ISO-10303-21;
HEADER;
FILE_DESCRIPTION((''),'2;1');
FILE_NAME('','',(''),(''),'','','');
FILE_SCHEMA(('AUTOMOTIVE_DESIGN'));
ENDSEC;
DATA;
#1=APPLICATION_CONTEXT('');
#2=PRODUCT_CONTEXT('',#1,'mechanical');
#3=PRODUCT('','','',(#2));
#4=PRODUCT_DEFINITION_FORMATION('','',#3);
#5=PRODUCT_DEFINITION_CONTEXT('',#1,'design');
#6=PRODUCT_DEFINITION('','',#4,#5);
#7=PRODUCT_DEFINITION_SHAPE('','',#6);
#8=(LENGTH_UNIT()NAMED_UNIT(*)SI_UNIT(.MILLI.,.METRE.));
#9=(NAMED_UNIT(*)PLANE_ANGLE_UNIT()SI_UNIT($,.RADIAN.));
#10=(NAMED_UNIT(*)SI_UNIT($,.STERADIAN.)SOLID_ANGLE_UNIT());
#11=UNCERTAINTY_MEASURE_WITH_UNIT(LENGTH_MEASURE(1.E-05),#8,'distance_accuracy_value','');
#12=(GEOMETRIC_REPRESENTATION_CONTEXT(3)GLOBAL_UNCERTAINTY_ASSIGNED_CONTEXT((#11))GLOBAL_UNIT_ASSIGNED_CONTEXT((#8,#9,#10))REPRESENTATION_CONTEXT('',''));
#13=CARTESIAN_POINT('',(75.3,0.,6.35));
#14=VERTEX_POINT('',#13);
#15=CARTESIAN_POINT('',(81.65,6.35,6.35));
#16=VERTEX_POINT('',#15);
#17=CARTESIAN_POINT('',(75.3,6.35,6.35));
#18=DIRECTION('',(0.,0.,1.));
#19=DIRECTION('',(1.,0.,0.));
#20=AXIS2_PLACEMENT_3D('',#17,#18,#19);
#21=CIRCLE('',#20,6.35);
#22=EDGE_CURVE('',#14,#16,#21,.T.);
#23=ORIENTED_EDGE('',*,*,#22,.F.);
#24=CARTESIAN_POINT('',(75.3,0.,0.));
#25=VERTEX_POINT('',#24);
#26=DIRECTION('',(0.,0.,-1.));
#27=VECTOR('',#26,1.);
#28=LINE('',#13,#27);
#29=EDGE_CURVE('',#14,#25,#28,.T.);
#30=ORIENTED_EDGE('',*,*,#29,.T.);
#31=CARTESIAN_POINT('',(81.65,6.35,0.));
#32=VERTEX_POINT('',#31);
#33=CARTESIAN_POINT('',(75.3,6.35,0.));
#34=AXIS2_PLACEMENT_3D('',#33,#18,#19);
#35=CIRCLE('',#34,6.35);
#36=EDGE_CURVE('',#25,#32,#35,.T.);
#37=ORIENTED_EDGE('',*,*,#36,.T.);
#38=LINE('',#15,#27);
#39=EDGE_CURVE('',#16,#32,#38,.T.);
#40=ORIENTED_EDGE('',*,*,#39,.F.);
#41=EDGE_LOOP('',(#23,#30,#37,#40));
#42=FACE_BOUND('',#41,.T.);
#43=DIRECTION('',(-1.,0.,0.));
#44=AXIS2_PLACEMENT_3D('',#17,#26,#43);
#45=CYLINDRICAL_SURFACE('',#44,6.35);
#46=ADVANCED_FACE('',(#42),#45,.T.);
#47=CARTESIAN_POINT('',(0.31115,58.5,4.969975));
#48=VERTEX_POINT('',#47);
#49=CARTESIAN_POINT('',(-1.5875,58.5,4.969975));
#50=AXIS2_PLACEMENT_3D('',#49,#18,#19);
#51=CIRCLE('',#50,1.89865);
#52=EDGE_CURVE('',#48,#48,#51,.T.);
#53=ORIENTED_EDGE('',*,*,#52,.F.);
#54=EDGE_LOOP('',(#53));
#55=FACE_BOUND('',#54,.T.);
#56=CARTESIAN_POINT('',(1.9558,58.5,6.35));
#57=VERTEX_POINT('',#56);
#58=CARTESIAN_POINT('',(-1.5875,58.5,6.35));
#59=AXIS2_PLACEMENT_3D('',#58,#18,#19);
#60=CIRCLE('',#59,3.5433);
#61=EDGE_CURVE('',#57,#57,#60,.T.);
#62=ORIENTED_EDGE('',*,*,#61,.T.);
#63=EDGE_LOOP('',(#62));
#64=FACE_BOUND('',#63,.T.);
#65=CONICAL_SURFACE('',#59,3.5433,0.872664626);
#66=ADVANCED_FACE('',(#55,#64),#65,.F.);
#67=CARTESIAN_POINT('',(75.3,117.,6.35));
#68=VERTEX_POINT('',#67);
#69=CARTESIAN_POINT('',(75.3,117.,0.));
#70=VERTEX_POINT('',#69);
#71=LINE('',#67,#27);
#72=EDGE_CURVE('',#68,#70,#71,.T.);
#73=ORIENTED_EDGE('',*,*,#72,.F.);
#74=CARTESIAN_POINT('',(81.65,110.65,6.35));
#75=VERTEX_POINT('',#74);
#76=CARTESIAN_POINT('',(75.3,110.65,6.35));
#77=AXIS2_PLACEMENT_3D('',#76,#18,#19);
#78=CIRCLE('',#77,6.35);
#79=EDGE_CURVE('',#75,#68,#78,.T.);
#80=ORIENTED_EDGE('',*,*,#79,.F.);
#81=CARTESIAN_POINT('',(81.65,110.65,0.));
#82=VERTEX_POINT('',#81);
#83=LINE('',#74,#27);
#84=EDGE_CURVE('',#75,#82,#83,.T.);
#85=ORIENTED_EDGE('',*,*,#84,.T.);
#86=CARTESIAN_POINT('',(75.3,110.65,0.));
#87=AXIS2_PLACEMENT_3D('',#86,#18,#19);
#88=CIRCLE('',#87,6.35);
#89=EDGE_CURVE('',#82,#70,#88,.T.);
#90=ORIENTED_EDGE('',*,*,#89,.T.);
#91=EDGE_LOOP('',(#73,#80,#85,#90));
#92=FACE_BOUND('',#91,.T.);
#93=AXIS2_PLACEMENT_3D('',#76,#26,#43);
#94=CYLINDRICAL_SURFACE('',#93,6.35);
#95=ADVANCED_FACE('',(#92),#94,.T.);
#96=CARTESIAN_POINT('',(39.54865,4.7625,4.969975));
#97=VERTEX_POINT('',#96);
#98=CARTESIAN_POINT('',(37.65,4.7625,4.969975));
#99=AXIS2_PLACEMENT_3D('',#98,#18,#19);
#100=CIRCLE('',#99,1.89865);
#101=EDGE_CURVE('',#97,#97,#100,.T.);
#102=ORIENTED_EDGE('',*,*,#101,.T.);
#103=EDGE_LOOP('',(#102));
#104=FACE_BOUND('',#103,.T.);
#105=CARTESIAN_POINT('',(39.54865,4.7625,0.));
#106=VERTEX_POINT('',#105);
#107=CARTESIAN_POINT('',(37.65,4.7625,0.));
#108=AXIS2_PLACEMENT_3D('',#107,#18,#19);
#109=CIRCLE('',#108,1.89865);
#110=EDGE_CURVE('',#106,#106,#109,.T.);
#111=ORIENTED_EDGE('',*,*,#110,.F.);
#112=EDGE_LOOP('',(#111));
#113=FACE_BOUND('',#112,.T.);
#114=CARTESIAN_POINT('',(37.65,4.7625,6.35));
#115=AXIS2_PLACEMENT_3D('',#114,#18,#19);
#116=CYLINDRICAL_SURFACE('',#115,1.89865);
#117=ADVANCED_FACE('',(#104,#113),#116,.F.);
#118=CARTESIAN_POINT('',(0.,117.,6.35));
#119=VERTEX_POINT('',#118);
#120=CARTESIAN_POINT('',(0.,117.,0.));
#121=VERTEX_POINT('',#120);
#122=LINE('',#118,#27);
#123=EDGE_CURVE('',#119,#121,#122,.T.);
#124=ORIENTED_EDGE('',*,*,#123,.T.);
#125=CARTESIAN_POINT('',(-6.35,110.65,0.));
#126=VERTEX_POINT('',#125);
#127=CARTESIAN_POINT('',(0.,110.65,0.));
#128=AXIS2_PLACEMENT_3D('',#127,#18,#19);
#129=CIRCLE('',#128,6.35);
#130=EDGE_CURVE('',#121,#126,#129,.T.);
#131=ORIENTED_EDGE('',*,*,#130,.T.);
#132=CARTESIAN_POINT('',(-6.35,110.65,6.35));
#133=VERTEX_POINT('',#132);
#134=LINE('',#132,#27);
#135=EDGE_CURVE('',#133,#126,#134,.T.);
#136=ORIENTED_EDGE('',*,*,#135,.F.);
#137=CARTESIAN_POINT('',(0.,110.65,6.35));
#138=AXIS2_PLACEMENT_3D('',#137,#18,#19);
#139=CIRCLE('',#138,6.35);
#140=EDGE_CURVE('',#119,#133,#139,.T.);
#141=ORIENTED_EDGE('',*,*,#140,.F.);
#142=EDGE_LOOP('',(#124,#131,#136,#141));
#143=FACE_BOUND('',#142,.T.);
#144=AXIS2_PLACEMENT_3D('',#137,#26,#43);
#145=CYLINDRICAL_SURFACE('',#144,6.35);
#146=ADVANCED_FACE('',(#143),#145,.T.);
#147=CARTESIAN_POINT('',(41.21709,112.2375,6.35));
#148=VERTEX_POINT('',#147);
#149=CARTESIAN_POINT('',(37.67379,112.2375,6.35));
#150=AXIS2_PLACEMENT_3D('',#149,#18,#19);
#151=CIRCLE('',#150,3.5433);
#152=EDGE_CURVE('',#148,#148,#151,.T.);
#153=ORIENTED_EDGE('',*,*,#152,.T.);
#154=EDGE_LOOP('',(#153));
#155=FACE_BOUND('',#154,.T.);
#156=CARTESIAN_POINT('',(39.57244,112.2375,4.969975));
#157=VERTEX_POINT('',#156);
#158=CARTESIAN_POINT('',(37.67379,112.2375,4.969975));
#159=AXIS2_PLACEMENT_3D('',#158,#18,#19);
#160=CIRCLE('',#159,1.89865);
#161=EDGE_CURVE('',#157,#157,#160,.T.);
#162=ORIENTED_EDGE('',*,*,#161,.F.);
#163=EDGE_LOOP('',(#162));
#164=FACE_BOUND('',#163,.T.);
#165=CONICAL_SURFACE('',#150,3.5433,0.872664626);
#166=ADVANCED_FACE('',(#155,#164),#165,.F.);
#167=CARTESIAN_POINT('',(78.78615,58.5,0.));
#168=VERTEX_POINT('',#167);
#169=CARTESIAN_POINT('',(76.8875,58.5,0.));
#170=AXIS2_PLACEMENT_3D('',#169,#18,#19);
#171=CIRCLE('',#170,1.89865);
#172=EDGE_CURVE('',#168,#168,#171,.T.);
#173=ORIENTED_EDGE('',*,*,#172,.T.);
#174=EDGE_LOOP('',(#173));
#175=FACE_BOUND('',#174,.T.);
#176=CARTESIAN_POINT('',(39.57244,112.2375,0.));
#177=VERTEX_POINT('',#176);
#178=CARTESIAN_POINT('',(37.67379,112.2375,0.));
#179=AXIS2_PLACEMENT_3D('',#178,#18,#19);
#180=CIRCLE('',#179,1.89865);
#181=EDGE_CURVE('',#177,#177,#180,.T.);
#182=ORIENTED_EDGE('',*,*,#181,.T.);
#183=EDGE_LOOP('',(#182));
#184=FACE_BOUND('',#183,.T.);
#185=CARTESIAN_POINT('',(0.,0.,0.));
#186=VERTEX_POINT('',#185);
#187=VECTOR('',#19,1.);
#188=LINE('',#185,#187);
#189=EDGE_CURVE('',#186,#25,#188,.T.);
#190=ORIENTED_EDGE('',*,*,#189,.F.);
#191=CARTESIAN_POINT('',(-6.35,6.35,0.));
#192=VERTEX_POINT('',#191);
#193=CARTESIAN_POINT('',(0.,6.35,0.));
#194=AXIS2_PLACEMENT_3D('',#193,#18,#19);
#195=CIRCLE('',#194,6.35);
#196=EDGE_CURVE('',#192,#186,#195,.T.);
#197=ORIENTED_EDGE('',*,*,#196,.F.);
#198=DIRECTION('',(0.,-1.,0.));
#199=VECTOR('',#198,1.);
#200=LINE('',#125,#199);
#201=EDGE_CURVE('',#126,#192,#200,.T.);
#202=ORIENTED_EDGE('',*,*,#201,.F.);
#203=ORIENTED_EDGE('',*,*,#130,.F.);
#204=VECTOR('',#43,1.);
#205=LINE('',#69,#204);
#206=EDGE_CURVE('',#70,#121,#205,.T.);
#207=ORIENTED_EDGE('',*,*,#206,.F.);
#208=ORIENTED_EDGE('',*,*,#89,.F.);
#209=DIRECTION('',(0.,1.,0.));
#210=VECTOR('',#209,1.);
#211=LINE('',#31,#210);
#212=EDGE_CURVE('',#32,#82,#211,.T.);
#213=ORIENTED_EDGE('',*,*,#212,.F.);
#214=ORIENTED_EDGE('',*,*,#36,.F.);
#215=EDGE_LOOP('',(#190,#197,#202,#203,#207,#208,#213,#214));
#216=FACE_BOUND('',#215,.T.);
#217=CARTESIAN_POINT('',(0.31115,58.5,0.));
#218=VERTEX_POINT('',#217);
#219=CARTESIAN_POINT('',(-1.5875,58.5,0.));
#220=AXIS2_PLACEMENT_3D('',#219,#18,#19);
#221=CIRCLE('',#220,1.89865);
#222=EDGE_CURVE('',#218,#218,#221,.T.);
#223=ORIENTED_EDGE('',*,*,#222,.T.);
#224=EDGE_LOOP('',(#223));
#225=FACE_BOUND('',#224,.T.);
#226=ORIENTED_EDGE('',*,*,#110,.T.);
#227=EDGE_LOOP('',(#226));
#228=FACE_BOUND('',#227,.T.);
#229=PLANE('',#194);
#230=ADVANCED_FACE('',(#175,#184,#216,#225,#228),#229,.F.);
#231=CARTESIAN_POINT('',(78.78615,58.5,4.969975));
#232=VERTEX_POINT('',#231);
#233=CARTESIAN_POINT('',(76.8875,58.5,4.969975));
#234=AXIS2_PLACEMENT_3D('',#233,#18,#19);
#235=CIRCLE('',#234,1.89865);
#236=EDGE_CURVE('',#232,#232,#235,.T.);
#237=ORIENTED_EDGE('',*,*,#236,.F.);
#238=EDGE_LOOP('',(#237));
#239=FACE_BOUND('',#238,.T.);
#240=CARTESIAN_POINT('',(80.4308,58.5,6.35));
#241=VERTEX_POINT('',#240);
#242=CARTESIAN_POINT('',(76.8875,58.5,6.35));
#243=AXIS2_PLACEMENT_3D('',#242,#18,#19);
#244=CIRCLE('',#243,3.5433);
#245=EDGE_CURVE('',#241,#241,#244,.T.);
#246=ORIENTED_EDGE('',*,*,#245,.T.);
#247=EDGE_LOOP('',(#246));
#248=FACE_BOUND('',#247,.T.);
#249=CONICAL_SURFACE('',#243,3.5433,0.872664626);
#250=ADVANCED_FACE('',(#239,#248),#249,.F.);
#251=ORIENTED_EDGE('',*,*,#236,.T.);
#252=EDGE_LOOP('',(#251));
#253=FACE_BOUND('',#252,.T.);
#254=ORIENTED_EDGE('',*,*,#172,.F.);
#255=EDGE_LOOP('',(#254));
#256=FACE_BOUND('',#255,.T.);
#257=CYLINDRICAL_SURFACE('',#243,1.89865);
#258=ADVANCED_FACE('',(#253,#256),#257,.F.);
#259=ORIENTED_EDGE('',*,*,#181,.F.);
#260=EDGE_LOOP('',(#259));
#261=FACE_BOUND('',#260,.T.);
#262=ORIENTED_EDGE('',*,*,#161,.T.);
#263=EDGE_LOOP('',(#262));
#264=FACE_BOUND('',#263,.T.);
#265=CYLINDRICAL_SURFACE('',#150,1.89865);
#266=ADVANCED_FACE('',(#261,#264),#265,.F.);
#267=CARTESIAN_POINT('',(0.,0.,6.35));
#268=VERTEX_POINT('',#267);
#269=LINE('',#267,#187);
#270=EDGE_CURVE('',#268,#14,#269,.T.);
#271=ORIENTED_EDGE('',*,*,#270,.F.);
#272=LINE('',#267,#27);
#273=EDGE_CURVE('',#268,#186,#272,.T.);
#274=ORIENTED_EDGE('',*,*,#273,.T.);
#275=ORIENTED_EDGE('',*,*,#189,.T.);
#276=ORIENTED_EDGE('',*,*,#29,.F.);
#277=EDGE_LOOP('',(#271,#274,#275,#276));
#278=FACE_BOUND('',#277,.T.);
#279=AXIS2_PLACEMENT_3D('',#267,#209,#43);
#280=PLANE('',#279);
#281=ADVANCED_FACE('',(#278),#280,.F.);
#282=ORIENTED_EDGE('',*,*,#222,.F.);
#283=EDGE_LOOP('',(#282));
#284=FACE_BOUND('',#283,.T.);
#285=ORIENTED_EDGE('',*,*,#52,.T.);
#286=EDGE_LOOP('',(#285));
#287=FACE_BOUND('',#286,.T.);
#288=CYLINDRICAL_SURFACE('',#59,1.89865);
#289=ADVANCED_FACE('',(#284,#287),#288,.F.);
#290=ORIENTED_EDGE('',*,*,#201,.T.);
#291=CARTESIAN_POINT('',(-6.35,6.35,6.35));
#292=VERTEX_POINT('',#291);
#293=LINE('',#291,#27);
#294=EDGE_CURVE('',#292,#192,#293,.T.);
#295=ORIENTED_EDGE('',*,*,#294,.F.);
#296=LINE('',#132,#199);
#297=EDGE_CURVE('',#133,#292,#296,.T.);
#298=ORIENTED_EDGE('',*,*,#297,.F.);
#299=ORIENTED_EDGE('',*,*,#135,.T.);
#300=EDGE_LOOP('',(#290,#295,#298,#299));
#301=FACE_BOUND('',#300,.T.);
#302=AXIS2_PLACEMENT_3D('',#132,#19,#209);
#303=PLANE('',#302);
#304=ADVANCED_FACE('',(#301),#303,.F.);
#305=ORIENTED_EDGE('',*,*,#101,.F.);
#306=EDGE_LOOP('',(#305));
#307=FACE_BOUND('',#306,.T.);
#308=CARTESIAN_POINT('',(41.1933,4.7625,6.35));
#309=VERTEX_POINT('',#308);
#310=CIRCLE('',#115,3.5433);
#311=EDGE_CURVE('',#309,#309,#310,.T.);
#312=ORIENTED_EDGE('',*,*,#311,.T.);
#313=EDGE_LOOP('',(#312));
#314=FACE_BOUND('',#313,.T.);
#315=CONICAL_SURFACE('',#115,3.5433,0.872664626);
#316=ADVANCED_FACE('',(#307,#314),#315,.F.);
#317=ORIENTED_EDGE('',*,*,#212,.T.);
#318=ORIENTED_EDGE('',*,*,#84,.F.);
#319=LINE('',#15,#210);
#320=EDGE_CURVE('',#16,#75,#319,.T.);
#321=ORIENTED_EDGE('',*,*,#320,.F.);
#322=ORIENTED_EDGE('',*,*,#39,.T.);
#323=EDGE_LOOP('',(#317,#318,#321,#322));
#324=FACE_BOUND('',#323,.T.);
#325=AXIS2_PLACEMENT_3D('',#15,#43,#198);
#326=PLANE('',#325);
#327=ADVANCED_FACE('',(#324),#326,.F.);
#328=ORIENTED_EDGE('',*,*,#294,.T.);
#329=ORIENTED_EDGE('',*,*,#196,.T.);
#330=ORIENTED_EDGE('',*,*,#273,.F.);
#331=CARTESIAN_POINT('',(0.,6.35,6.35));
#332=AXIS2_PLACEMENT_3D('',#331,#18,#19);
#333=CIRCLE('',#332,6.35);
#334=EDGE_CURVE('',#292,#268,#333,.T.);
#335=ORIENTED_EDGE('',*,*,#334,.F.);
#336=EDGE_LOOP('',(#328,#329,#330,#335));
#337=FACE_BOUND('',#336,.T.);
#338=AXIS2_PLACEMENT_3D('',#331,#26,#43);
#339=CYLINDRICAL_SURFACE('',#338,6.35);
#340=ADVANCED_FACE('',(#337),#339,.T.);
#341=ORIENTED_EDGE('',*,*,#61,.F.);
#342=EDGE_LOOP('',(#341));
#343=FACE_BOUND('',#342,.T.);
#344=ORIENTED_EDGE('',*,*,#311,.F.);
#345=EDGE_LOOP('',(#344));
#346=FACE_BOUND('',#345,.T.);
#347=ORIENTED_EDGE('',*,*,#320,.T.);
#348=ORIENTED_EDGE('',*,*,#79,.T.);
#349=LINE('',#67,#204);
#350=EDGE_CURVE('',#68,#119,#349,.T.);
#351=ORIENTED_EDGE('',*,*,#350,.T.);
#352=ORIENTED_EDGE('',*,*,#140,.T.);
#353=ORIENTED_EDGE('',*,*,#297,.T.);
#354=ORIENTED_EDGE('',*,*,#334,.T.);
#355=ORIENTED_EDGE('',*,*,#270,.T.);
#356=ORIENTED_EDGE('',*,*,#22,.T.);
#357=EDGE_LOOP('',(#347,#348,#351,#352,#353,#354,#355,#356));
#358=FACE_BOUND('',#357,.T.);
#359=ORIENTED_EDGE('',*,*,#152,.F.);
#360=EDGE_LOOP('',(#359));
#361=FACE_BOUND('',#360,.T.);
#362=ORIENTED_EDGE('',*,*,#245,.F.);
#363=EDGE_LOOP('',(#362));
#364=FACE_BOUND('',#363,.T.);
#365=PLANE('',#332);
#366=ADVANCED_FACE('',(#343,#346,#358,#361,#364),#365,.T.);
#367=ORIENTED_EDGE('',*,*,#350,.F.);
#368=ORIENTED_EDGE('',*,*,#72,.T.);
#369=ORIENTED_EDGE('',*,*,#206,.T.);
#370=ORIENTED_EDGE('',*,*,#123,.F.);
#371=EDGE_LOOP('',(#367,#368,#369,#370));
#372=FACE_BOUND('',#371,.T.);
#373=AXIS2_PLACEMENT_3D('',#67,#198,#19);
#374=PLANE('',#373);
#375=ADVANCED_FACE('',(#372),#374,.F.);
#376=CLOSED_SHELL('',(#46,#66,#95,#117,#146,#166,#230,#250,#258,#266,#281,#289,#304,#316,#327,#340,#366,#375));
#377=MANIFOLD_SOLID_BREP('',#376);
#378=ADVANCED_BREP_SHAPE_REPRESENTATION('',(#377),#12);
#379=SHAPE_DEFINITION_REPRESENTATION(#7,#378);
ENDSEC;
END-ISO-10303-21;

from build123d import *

# Parameters (mm, degrees)
SKETCH1_R                                         = 1.5875
BOSS_EXTRUDE1_DEPTH                               = 6.35
CSK_FOR_6_FLAT_HEAD_MACHINE_SCREW_100_D           = 3.7973
CSK_FOR_6_FLAT_HEAD_MACHINE_SCREW_100_CSINK_D     = 7.0866
CSK_FOR_6_FLAT_HEAD_MACHINE_SCREW_100_CSINK_ANGLE = 100


with BuildPart() as part:
    # Sketch1 → Boss-Extrude1 (new body)
    with BuildSketch(Plane.XY):
        with BuildLine():
            Line((0, 0), (75.3, 0))
            ThreePointArc((75.3, 0), (79.790128061, 1.859871939), (81.65, 6.35))
            Line((81.65, 6.35), (81.65, 110.65))
            ThreePointArc((81.65, 110.65), (79.790128061, 115.140128061), (75.3, 117))
            Line((75.3, 117), (0, 117))
            ThreePointArc((0, 117), (-4.490128061, 115.140128061), (-6.35, 110.65))
            Line((-6.35, 110.65), (-6.35, 6.35))
            ThreePointArc((-6.35, 6.35), (-4.490128061, 1.859871939), (0, 0))
        make_face()
        with Locations((37.65, 4.7625)):
            Circle(SKETCH1_R, mode=Mode.SUBTRACT)
        with Locations((76.8875, 58.5)):
            Circle(SKETCH1_R, mode=Mode.SUBTRACT)
        with Locations((37.673789808, 112.2375)):
            Circle(SKETCH1_R, mode=Mode.SUBTRACT)
        with Locations((-1.5875, 58.5)):
            Circle(SKETCH1_R, mode=Mode.SUBTRACT)
    extrude(amount=BOSS_EXTRUDE1_DEPTH)

    # CSK for #6 Flat Head Machine Screw (100)1 (through all)
    with Locations(Plane.XY.offset(6.35)):
        with Locations((-1.5875, 58.5), (37.673789808, 112.2375), (76.8875, 58.5), (37.65, 4.7625)):
            CounterSinkHole(CSK_FOR_6_FLAT_HEAD_MACHINE_SCREW_100_D / 2, CSK_FOR_6_FLAT_HEAD_MACHINE_SCREW_100_CSINK_D / 2, counter_sink_angle=CSK_FOR_6_FLAT_HEAD_MACHINE_SCREW_100_CSINK_ANGLE)


solid = part.part
